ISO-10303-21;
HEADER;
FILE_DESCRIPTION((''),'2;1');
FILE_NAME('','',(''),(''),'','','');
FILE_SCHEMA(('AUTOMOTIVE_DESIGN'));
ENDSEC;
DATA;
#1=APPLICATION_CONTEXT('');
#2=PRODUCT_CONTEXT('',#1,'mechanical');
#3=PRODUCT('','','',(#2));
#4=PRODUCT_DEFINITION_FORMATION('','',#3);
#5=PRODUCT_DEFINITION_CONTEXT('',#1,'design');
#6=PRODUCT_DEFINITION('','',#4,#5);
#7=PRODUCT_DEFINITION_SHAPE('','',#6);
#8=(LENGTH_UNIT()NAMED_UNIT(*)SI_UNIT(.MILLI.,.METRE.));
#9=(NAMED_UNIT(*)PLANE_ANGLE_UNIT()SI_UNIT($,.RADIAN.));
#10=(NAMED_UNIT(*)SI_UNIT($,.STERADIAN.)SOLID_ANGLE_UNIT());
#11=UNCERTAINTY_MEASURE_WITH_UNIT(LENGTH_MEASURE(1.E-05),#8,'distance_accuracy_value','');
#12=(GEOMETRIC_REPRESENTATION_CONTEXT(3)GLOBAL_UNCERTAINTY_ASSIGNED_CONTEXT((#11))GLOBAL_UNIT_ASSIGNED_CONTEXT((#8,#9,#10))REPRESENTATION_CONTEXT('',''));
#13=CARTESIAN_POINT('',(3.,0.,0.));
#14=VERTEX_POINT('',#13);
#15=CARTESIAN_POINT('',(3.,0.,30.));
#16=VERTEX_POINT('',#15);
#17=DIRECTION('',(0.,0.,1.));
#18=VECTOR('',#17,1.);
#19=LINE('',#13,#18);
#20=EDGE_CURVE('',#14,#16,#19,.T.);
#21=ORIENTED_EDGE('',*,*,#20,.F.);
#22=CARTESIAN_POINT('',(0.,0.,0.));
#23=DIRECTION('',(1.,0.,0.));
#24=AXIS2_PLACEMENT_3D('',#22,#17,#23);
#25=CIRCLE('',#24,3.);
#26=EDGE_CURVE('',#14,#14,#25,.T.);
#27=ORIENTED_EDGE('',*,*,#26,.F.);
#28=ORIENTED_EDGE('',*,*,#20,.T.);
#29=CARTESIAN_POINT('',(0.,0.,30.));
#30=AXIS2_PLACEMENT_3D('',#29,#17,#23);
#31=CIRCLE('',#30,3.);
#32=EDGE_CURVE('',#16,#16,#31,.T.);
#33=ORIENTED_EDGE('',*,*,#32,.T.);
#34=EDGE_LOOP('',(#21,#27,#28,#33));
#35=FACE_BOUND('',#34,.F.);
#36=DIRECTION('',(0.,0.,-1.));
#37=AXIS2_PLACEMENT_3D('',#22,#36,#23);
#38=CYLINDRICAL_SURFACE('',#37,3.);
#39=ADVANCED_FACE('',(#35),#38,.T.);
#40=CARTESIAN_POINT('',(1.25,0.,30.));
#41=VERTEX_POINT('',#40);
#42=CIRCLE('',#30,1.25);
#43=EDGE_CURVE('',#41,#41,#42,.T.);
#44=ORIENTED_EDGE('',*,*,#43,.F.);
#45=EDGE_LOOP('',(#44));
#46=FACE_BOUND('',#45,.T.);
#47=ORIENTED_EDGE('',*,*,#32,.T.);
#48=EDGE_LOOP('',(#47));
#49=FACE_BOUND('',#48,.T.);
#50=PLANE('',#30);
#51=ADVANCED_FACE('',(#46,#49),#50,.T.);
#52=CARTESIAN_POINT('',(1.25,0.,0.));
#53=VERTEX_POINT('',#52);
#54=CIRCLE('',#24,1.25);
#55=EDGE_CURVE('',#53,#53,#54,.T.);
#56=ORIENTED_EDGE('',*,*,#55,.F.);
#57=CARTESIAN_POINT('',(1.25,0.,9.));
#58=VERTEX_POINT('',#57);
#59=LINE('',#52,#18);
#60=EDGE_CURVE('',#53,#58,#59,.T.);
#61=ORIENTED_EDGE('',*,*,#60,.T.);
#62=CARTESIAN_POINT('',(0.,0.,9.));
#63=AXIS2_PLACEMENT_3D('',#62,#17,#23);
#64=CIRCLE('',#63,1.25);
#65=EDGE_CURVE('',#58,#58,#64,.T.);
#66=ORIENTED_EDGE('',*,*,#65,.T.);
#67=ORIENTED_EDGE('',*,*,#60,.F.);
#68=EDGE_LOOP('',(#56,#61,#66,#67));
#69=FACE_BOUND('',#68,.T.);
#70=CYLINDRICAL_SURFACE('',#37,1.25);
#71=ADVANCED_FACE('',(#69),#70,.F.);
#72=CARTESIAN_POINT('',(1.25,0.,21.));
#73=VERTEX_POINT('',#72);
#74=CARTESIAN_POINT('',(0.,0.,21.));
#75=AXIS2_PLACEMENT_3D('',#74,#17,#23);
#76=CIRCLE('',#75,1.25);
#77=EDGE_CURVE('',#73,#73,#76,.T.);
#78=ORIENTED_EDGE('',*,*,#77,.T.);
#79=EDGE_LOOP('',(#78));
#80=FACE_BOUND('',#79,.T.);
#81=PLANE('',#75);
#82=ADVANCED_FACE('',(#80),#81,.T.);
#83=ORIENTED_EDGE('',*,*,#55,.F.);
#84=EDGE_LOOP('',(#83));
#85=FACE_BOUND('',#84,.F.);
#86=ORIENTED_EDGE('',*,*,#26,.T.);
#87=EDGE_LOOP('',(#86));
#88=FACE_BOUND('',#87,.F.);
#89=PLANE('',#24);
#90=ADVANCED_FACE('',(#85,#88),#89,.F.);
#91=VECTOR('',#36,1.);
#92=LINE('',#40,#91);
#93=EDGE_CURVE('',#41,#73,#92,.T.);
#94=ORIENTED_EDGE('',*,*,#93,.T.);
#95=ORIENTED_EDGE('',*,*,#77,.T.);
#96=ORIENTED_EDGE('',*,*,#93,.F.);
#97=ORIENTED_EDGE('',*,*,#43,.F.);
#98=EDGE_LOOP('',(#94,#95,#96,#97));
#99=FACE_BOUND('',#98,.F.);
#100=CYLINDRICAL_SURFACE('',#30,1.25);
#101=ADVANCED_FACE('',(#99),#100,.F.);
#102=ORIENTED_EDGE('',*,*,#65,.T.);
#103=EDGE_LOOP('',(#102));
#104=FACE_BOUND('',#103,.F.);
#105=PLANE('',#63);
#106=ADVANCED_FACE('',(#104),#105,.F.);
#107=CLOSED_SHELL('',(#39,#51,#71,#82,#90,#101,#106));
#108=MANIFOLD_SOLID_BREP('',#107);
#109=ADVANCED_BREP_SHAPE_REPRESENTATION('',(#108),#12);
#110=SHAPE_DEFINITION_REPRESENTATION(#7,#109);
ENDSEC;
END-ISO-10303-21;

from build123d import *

# Parameters (mm, degrees)
F0_R     = 3
F0_R_2   = 1.25
F1_DEPTH = 30
F2_DEPTH = 9
F3_R     = 1.25
F4_DEPTH = 9


with BuildPart() as f1:
    # F0 (on Top) → F1 (new body)
    with BuildSketch(Plane.XY):
        Circle(F0_R)
        Circle(F0_R_2, mode=Mode.SUBTRACT)
        Circle(F0_R_2)
    extrude(amount=F1_DEPTH)

    # F0 (on Top) → F2 (cut)
    with BuildSketch(Plane.XY):
        Circle(F0_R_2)
    extrude(amount=F2_DEPTH, mode=Mode.SUBTRACT)

    # F3 (on face) → F4 (cut)
    with BuildSketch(Plane.XY.offset(30)):
        Circle(F3_R)
    extrude(amount=-F4_DEPTH, mode=Mode.SUBTRACT)


solid = f1.part
